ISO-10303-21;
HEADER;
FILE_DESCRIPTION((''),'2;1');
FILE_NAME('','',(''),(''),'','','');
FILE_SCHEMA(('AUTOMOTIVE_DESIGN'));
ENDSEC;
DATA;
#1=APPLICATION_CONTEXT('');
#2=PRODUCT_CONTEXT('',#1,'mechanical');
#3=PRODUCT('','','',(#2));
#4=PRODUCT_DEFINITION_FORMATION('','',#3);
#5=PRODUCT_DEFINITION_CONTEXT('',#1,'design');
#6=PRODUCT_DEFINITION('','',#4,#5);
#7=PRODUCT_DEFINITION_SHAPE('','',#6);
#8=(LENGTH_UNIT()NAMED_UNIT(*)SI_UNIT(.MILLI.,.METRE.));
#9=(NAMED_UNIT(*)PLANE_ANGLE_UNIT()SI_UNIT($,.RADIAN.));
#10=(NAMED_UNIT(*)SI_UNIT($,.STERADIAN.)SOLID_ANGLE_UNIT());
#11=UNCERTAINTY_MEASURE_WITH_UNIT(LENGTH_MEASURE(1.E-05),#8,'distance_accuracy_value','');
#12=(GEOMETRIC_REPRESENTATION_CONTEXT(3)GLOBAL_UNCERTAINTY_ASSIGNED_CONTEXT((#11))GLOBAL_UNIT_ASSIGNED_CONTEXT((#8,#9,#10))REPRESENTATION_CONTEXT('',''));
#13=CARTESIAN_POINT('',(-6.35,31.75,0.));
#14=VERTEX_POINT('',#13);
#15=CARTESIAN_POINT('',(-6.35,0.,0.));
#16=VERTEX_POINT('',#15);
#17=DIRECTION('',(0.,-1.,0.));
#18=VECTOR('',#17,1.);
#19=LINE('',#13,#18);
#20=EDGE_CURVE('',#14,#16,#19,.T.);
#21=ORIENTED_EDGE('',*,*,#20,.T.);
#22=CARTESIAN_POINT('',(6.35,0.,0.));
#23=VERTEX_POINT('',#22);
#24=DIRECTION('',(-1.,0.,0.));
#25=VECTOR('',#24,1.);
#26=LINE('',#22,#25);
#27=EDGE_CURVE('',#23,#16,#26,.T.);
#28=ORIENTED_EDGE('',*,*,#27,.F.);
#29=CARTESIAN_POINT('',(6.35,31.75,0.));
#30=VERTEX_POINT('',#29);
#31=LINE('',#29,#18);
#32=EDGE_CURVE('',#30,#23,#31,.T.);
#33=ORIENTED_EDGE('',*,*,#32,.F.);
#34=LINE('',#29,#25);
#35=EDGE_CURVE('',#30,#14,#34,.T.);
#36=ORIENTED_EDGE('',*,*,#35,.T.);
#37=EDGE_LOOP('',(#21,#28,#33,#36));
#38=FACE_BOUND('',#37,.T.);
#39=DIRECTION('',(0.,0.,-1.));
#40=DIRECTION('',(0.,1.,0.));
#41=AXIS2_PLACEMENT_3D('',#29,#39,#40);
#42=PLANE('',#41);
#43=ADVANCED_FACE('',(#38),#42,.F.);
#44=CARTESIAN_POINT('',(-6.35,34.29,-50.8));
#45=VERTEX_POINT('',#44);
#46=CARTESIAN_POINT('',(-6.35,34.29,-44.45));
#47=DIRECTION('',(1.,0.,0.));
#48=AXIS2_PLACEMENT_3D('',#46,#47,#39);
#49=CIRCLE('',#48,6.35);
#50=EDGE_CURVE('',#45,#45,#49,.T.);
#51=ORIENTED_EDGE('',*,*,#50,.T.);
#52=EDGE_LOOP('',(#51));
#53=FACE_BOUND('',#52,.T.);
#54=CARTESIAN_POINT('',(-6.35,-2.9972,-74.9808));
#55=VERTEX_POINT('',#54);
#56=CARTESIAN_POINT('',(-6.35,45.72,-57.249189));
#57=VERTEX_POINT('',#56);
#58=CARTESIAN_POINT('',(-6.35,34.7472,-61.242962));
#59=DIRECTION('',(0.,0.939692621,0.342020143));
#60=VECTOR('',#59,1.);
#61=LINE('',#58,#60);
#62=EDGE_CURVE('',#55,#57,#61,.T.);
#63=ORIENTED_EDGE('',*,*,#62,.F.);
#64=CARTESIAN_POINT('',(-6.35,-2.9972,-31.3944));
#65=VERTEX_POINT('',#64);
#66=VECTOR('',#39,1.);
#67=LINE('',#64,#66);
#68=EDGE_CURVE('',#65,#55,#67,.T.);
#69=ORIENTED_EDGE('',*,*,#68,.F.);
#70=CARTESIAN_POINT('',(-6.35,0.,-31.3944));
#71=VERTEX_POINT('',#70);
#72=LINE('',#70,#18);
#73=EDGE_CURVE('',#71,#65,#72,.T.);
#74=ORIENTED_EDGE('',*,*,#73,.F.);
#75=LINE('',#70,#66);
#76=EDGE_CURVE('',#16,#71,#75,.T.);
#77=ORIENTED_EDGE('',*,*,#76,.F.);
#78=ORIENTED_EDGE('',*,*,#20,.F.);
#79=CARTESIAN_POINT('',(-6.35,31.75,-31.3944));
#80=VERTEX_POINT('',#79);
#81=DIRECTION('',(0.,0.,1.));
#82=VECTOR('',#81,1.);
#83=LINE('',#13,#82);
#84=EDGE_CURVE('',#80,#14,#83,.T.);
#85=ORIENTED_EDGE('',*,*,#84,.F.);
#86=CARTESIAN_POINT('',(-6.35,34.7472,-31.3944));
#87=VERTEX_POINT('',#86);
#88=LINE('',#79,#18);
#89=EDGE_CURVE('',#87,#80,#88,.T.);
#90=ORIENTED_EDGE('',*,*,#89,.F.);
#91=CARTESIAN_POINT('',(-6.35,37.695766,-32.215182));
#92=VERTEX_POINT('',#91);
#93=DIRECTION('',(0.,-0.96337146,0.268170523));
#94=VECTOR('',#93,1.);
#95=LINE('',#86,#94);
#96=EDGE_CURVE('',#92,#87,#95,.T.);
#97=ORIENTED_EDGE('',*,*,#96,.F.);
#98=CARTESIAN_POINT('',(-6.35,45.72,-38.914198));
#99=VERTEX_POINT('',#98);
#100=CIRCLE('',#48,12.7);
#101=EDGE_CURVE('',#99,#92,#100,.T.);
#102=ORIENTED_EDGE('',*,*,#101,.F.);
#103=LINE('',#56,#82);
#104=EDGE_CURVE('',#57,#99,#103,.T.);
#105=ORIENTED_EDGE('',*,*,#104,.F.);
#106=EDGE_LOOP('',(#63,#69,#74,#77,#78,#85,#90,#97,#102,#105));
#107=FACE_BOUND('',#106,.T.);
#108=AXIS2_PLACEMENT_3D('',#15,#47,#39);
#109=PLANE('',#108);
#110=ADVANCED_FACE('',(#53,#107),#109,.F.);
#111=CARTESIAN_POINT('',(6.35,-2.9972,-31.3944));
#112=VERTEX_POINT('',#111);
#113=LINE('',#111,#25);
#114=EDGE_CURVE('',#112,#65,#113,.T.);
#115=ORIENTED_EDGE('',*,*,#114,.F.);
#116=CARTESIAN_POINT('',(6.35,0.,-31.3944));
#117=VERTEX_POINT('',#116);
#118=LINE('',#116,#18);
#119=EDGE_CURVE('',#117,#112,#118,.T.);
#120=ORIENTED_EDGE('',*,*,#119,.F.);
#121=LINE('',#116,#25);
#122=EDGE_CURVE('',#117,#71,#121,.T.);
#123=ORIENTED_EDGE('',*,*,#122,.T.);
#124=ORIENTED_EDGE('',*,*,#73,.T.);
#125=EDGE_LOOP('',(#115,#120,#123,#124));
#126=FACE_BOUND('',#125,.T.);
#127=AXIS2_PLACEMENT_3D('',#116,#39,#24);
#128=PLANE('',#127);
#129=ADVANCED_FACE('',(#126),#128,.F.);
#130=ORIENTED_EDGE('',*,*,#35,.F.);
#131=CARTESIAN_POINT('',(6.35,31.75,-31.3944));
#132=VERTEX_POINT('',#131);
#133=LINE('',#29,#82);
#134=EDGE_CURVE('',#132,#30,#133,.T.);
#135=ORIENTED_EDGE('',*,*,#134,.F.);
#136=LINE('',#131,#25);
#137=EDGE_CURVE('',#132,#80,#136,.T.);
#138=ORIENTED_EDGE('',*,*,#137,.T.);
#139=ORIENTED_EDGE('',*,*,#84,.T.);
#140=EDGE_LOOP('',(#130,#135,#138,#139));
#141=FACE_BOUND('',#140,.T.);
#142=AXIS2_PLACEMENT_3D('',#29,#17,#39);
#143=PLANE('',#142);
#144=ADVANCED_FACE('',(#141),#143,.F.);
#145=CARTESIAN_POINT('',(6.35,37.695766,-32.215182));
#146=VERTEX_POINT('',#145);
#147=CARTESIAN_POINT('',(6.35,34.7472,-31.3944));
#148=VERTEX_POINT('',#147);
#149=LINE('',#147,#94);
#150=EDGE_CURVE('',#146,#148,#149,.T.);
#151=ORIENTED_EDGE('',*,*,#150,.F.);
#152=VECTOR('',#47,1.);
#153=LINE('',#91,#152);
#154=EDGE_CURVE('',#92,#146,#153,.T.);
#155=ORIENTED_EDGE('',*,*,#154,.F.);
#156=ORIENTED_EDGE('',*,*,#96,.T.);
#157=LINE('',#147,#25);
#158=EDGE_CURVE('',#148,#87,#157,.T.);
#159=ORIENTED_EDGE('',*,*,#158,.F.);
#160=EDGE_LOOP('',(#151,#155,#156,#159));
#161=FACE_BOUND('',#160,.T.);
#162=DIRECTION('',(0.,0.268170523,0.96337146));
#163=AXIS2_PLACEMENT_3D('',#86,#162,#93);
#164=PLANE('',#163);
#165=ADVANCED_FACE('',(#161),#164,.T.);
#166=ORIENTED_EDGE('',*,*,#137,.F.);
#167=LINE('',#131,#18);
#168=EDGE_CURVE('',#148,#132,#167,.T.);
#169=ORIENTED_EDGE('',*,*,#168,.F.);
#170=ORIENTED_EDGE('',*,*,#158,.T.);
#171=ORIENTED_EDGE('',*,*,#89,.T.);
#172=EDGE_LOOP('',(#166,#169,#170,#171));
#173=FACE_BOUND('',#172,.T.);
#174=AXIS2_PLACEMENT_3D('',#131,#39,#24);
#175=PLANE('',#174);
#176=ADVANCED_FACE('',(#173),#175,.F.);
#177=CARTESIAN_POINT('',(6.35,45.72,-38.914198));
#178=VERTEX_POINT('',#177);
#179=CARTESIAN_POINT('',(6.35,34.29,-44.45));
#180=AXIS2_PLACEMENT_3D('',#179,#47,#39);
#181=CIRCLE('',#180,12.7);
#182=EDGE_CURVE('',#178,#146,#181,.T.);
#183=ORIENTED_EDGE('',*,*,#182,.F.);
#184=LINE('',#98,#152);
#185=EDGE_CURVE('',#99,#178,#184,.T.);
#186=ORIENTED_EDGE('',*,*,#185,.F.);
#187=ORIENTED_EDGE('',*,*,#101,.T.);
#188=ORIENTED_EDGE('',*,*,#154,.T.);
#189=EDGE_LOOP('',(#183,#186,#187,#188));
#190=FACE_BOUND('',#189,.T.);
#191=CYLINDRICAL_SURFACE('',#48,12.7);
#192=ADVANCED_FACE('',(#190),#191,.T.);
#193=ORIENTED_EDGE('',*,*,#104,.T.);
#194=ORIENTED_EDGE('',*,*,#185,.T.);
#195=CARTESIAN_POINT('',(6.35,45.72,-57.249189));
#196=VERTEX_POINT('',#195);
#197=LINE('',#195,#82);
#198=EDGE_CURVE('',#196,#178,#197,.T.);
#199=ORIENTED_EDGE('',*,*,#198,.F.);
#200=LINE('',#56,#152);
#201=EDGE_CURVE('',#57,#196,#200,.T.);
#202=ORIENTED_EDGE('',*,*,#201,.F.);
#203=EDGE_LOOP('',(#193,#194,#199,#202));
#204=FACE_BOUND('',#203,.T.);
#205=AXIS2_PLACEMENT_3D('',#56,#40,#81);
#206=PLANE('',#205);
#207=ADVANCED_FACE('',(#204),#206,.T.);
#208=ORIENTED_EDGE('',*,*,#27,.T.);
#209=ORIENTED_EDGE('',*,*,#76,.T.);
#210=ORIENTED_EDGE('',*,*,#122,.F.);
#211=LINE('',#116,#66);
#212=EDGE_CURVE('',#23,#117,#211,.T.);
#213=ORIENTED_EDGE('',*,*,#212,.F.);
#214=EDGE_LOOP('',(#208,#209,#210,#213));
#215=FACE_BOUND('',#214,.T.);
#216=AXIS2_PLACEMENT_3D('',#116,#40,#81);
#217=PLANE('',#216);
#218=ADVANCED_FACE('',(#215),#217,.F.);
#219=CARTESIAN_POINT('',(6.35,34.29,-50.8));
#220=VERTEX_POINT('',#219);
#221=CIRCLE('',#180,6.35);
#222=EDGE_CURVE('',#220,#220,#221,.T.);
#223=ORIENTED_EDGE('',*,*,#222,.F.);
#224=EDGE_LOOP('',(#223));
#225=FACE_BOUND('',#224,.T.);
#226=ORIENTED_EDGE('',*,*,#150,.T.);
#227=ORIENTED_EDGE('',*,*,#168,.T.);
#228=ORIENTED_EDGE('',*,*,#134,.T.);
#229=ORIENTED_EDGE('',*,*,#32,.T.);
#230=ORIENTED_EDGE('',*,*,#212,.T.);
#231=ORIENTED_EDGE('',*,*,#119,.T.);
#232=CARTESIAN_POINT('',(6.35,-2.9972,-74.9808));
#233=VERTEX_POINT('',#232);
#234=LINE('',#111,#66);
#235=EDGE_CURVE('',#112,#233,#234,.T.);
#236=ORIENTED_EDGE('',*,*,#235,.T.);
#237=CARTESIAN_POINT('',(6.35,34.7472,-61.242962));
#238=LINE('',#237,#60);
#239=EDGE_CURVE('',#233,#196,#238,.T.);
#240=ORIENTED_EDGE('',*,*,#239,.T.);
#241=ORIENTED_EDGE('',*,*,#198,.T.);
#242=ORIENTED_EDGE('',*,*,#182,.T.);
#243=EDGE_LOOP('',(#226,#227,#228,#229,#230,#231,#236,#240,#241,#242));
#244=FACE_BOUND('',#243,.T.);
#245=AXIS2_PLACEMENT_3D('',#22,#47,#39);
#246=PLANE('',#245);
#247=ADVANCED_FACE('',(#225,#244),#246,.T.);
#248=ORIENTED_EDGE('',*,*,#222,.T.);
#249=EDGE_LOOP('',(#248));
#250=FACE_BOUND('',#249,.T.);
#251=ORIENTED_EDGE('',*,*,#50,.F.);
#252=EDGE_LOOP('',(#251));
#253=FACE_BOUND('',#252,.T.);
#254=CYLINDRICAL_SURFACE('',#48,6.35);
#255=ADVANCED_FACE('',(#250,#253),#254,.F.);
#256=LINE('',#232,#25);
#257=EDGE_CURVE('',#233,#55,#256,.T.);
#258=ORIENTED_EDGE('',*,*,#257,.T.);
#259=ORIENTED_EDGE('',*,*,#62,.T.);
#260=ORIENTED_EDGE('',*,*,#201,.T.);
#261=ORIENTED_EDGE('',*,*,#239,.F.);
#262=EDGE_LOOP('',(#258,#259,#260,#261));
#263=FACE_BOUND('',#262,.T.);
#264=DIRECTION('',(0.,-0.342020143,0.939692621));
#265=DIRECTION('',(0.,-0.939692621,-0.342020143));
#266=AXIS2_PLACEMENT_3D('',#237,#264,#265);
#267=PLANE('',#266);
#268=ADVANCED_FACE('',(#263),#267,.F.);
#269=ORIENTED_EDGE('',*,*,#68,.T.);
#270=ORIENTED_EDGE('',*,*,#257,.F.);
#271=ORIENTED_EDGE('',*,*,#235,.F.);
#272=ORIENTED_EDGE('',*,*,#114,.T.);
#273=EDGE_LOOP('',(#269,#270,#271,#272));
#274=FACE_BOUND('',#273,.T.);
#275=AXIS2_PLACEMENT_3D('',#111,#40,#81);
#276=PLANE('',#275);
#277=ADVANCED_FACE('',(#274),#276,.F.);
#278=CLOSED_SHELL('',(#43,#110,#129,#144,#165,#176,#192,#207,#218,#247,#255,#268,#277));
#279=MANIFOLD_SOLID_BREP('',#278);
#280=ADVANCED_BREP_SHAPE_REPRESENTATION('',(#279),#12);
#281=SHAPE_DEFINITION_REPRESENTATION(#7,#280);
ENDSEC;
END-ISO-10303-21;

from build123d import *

# Parameters (mm, degrees)
BOSS_EXTRUDE1_DEPTH = 6.35
BOSS_EXTRUDE2_DEPTH = 12.7
SKETCH5_R           = 6.35
CUT_EXTRUDE2_DEPTH  = 13.7


with BuildPart() as part:
    # Sketch2 → Boss-Extrude1 (new body, symmetric)
    with BuildSketch(Plane(origin=(0, 0, 0), x_dir=(0, 0, -1), z_dir=(1, 0, 0))):
        Polygon((0, 31.75), (0, 0), (31.3944, 0), (31.3944, -2.9972), (74.9808, -2.9972), (61.24296189, 34.7472), (31.3944, 34.7472), (31.3944, 31.75), align=None)
    extrude(amount=BOSS_EXTRUDE1_DEPTH, both=True)

    # Sketch4 → Boss-Extrude2 (add, through all)
    with BuildSketch(Plane(origin=(6.35, 0, 0), x_dir=(0, 0, -1), z_dir=(1, 0, 0))):
        with BuildLine():
            Line((57.141767732, 34.7472), (61.24296189, 34.7472))
            Line((61.24296189, 34.7472), (57.249189303, 45.72))
            Line((57.249189303, 45.72), (38.914198342, 45.72))
            ThreePointArc((38.914198342, 45.72), (34.700855885, 42.429053325), (32.215182454, 37.695765645))
            Line((32.215182454, 37.695765645), (31.3944, 34.7472))
            Line((31.3944, 34.7472), (31.758232268, 34.7472))
            ThreePointArc((31.758232268, 34.7472), (44.45, 21.59), (57.141767732, 34.7472))
        make_face()
    extrude(amount=-BOSS_EXTRUDE2_DEPTH)

    # Sketch5 → Cut-Extrude2 (cut, through all)
    with BuildSketch(Plane(origin=(6.35, 0, 0), x_dir=(0, 0, -1), z_dir=(1, 0, 0))):
        with Locations((44.45, 34.29)):
            Circle(SKETCH5_R)
    extrude(amount=-CUT_EXTRUDE2_DEPTH, mode=Mode.SUBTRACT)


solid = part.part
